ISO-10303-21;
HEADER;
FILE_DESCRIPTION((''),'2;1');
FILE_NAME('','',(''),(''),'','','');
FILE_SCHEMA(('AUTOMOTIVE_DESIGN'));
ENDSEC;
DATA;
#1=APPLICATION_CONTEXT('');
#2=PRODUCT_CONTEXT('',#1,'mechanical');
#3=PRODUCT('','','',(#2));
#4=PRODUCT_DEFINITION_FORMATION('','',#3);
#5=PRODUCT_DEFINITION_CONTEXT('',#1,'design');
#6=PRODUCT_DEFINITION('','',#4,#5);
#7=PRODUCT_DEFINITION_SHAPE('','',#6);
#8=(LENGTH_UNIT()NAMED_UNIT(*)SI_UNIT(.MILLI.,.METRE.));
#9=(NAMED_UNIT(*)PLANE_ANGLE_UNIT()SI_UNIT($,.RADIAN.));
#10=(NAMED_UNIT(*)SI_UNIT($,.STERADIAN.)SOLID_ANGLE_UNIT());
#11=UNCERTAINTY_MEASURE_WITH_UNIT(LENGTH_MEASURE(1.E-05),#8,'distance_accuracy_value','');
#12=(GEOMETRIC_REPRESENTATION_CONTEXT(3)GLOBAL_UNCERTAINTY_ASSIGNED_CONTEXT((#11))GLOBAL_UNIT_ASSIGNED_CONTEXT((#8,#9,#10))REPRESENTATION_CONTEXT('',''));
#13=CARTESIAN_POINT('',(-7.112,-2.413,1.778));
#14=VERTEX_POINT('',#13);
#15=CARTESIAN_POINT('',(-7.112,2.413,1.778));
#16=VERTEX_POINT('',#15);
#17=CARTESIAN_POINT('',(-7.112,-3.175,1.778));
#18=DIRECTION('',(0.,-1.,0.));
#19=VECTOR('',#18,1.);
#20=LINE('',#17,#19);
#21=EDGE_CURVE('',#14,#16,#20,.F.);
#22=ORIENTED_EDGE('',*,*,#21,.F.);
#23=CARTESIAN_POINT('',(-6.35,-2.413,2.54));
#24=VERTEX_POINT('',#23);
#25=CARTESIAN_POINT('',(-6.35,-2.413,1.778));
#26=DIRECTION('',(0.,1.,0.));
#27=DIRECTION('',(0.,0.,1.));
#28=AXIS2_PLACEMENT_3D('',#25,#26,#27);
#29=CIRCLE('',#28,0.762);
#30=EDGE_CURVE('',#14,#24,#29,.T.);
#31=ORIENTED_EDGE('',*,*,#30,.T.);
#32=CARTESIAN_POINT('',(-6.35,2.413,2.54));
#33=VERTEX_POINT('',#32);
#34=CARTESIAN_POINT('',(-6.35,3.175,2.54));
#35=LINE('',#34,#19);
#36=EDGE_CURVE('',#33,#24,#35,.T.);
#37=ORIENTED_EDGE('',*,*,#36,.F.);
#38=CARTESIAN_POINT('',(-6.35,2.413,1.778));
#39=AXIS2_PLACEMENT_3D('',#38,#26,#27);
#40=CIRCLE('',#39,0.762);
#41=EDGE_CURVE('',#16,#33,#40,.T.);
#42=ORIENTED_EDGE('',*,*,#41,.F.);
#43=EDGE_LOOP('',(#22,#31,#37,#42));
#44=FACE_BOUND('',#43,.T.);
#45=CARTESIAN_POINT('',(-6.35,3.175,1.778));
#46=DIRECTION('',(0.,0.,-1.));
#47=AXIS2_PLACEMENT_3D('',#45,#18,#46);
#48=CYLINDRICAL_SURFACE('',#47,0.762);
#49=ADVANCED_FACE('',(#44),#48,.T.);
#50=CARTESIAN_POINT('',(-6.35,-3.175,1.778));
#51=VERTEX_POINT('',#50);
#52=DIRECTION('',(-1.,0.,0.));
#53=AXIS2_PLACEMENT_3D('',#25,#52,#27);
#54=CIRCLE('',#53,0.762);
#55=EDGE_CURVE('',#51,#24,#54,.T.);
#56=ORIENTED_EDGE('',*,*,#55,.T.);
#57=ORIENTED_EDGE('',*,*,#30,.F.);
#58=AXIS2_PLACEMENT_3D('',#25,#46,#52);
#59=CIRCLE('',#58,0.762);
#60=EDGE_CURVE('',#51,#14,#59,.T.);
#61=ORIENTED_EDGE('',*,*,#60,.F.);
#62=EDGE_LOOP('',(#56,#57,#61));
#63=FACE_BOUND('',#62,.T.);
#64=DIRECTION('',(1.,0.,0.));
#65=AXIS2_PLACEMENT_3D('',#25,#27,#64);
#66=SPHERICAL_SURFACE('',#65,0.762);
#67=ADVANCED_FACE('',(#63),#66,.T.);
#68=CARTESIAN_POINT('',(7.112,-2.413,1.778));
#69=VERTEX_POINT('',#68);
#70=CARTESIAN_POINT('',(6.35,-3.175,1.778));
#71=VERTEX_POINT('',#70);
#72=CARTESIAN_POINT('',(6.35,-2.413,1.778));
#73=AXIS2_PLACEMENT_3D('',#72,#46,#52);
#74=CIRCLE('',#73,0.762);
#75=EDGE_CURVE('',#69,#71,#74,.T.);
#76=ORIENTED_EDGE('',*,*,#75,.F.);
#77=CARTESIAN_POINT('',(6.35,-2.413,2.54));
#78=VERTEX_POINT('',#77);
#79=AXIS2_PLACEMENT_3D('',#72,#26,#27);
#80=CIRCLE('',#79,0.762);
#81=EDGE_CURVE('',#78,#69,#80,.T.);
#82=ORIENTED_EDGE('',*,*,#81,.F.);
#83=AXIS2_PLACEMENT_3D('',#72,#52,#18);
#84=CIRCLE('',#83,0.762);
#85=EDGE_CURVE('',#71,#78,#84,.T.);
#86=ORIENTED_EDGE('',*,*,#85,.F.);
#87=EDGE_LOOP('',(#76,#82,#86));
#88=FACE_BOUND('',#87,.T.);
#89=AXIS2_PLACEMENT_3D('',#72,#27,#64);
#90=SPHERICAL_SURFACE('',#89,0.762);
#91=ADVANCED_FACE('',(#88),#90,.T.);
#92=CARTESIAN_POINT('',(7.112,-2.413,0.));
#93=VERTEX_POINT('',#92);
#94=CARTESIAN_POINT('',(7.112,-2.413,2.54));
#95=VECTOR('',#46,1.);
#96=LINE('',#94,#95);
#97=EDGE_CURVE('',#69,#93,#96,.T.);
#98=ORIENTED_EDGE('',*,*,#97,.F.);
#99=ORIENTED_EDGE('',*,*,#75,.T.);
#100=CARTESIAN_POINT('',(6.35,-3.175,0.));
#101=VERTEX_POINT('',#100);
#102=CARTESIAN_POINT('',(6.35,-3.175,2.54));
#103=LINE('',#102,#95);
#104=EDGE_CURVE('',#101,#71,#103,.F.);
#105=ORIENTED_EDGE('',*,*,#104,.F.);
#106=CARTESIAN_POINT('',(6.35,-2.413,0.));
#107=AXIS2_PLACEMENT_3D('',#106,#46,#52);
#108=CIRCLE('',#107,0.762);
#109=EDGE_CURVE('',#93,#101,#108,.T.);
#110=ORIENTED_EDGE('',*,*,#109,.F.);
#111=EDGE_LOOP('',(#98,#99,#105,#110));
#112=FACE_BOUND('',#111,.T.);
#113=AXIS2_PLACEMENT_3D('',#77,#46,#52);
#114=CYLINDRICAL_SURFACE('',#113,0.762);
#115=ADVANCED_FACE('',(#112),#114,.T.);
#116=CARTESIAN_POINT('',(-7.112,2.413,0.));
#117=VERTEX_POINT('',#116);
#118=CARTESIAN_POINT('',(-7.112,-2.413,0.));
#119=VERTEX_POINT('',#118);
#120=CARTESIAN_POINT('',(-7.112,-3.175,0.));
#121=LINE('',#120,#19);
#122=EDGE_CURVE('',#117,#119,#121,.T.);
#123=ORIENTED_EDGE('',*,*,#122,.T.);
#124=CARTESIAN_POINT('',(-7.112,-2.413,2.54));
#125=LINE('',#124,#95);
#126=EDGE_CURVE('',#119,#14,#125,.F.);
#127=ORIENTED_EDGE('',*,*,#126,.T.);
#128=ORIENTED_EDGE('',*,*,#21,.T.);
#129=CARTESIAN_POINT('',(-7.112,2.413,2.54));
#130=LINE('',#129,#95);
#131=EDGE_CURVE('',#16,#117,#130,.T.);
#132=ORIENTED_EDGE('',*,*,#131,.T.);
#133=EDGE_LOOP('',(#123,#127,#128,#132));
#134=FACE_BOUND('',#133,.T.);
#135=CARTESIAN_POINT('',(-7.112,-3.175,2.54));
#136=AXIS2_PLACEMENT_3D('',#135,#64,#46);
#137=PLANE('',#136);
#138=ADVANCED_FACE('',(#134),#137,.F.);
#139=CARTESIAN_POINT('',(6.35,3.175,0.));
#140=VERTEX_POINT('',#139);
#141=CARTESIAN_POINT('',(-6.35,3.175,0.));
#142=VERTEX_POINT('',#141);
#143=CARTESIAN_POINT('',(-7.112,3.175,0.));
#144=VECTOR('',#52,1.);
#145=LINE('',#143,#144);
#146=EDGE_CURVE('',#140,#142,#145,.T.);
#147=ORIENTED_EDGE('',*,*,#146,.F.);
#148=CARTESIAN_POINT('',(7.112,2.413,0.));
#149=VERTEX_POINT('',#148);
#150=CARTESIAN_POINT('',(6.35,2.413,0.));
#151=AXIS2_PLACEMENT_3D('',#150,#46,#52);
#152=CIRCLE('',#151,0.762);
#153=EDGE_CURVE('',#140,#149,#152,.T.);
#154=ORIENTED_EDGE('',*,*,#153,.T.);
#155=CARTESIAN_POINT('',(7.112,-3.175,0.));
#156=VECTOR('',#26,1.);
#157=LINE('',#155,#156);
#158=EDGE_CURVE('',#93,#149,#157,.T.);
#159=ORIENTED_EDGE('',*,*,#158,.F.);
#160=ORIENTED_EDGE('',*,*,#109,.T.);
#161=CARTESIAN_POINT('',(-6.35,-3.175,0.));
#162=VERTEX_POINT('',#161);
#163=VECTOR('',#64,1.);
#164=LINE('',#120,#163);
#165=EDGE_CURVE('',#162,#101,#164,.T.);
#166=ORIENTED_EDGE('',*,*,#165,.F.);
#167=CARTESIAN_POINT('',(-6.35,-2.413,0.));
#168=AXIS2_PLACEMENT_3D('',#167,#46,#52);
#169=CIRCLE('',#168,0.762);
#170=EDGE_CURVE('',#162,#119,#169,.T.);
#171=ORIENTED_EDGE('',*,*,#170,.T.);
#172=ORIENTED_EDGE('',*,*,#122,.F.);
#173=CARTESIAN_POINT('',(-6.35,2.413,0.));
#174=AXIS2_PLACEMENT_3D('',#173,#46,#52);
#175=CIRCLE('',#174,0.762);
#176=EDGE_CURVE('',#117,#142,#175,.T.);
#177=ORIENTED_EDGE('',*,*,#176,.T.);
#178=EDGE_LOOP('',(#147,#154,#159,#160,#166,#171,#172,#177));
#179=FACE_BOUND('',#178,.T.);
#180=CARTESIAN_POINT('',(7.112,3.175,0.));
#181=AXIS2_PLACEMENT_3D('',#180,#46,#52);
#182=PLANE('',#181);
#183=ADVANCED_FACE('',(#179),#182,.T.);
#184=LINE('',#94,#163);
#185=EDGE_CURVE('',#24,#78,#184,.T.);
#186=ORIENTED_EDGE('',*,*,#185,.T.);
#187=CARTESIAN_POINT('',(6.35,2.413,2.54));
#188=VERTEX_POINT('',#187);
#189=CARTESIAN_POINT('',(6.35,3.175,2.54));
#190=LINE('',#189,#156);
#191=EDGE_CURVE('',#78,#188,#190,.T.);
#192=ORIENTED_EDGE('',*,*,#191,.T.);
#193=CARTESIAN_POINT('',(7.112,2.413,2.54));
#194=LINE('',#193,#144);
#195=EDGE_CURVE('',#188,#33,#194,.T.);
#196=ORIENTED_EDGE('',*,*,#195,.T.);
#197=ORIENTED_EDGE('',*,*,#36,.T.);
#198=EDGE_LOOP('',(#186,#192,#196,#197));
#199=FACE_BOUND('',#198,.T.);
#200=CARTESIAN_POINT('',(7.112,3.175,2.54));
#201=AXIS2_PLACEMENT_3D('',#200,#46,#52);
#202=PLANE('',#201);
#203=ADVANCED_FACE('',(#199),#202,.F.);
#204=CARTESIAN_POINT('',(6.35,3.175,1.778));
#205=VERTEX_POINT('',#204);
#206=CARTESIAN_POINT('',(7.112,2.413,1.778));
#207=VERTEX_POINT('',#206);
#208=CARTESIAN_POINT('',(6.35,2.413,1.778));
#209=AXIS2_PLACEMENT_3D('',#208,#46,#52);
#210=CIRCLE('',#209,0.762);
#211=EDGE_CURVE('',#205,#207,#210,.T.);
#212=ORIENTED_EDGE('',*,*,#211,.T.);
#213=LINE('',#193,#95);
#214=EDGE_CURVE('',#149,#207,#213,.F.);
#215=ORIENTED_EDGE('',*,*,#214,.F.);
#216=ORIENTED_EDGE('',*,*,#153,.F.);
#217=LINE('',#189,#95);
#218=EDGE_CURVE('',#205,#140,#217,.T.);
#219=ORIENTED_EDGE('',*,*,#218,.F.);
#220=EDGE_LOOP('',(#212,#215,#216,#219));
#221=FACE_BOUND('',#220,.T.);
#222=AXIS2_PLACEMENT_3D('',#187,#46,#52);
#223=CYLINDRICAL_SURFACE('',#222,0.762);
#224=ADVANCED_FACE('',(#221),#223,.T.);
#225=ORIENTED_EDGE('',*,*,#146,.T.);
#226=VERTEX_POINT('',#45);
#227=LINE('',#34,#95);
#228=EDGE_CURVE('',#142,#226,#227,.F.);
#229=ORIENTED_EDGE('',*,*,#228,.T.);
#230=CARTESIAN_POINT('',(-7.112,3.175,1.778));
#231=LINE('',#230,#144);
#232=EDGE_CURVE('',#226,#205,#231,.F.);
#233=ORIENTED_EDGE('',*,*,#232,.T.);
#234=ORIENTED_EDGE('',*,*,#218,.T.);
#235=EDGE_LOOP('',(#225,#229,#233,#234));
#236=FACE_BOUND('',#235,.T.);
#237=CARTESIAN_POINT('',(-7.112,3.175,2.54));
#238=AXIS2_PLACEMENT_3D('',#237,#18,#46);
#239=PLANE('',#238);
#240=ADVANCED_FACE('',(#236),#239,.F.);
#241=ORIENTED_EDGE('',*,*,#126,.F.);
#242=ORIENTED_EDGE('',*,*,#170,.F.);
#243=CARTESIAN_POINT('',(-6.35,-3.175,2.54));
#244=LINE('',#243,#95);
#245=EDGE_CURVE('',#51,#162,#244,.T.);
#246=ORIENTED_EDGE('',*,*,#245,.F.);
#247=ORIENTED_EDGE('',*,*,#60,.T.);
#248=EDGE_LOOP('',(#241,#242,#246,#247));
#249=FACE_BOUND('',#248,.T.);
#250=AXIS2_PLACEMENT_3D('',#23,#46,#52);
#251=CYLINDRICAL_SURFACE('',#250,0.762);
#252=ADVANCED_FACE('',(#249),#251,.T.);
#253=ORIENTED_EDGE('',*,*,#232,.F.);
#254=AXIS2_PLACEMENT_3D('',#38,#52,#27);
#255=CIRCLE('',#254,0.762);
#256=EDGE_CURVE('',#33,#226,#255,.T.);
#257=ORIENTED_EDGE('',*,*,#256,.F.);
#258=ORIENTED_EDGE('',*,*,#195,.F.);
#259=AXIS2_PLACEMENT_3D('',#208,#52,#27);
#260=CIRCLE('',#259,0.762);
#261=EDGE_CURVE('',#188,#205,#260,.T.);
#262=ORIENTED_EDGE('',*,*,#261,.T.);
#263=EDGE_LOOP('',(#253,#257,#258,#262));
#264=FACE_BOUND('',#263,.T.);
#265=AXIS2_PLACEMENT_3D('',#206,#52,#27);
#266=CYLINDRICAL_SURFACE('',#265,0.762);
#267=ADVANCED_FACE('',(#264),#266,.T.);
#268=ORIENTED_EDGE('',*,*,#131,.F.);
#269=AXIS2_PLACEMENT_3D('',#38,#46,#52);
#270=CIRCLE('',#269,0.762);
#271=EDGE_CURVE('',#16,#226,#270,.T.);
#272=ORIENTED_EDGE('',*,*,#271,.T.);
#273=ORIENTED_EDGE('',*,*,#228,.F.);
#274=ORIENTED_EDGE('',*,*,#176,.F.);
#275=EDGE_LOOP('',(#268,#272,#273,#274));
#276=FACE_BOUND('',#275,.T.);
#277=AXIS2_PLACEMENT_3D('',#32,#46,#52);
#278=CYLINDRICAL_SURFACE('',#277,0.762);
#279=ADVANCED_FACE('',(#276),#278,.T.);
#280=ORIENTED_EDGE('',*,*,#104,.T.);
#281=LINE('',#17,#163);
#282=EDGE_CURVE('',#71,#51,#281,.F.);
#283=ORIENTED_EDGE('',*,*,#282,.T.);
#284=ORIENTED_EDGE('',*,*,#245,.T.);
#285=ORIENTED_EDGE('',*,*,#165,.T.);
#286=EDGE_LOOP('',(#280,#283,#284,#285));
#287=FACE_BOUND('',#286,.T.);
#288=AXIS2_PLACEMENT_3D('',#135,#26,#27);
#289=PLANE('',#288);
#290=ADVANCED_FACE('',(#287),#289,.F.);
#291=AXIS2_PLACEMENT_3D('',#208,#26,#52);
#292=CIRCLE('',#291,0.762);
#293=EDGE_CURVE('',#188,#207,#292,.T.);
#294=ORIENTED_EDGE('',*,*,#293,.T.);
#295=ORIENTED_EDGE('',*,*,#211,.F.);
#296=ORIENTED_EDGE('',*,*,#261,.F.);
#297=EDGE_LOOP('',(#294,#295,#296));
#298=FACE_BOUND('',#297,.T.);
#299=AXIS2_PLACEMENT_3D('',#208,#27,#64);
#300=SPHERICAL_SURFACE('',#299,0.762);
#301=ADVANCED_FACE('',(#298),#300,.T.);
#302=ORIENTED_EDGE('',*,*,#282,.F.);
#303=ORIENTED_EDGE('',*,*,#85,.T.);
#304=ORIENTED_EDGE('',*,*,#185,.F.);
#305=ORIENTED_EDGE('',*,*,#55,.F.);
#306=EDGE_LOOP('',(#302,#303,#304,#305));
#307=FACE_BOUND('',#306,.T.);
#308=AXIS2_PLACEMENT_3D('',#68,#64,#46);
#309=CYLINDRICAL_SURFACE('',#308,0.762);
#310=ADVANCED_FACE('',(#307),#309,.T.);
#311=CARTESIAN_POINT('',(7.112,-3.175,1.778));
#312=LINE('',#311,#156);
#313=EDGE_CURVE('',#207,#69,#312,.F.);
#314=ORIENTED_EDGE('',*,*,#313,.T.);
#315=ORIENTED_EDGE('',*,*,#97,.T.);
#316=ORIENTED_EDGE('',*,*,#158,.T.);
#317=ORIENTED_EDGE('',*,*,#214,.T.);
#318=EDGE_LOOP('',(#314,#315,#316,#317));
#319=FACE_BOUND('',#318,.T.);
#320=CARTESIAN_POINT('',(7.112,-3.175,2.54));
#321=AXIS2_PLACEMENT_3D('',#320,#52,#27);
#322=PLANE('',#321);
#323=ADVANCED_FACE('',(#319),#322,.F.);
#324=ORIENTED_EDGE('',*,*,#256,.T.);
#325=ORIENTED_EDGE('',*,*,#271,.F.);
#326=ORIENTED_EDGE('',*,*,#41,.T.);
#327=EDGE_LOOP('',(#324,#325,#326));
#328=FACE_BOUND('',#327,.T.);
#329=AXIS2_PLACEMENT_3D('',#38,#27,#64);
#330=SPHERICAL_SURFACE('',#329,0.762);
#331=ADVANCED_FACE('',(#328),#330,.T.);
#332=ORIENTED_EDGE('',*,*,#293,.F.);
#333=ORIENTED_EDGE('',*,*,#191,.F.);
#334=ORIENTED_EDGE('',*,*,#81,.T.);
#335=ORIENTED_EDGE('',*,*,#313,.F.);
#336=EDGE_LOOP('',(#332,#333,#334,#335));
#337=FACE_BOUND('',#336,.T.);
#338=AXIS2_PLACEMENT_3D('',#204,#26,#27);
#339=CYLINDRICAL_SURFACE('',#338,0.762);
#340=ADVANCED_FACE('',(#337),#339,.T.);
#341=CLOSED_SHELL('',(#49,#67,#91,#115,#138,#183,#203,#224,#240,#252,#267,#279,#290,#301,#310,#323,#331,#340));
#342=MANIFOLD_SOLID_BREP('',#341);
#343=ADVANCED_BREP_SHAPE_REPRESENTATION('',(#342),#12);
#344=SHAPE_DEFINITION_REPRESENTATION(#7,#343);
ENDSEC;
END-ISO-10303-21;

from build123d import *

# Parameters (mm, degrees)
SKETCH1_W      = 14.224
SKETCH1_H      = 6.35
EXTRUDE1_DEPTH = 2.54
FILLET1_R      = 0.762
FILLET2_R      = 0.762


with BuildPart() as part:
    # Sketch1 → Extrude1 (new body)
    with BuildSketch(Plane.XY):
        Rectangle(SKETCH1_W, SKETCH1_H)
    extrude(amount=EXTRUDE1_DEPTH)

    # Fillet1
    fillet1_edges = [part.edges().sort_by_distance(p)[0] for p in [
        (7.112, -3.175, 1.27),
        (-7.112, -3.175, 1.27),
        (-7.112, 3.175, 1.27),
        (7.112, 3.175, 1.27),
    ]]
    fillet(fillet1_edges, radius=FILLET1_R)

    # Fillet2
    fillet2_edges = [part.edges().sort_by_distance(p)[0] for p in [
        (0, -3.175, 2.54),
        (-7.112, 0, 2.54),
        (7.112, 0, 2.54),
        (0, 3.175, 2.54),
        (6.888815367, -2.951815367, 2.54),
        (6.888815367, 2.951815367, 2.54),
        (-6.888815367, 2.951815367, 2.54),
        (-6.888815367, -2.951815367, 2.54),
    ]]
    fillet(fillet2_edges, radius=FILLET2_R)


solid = part.part
